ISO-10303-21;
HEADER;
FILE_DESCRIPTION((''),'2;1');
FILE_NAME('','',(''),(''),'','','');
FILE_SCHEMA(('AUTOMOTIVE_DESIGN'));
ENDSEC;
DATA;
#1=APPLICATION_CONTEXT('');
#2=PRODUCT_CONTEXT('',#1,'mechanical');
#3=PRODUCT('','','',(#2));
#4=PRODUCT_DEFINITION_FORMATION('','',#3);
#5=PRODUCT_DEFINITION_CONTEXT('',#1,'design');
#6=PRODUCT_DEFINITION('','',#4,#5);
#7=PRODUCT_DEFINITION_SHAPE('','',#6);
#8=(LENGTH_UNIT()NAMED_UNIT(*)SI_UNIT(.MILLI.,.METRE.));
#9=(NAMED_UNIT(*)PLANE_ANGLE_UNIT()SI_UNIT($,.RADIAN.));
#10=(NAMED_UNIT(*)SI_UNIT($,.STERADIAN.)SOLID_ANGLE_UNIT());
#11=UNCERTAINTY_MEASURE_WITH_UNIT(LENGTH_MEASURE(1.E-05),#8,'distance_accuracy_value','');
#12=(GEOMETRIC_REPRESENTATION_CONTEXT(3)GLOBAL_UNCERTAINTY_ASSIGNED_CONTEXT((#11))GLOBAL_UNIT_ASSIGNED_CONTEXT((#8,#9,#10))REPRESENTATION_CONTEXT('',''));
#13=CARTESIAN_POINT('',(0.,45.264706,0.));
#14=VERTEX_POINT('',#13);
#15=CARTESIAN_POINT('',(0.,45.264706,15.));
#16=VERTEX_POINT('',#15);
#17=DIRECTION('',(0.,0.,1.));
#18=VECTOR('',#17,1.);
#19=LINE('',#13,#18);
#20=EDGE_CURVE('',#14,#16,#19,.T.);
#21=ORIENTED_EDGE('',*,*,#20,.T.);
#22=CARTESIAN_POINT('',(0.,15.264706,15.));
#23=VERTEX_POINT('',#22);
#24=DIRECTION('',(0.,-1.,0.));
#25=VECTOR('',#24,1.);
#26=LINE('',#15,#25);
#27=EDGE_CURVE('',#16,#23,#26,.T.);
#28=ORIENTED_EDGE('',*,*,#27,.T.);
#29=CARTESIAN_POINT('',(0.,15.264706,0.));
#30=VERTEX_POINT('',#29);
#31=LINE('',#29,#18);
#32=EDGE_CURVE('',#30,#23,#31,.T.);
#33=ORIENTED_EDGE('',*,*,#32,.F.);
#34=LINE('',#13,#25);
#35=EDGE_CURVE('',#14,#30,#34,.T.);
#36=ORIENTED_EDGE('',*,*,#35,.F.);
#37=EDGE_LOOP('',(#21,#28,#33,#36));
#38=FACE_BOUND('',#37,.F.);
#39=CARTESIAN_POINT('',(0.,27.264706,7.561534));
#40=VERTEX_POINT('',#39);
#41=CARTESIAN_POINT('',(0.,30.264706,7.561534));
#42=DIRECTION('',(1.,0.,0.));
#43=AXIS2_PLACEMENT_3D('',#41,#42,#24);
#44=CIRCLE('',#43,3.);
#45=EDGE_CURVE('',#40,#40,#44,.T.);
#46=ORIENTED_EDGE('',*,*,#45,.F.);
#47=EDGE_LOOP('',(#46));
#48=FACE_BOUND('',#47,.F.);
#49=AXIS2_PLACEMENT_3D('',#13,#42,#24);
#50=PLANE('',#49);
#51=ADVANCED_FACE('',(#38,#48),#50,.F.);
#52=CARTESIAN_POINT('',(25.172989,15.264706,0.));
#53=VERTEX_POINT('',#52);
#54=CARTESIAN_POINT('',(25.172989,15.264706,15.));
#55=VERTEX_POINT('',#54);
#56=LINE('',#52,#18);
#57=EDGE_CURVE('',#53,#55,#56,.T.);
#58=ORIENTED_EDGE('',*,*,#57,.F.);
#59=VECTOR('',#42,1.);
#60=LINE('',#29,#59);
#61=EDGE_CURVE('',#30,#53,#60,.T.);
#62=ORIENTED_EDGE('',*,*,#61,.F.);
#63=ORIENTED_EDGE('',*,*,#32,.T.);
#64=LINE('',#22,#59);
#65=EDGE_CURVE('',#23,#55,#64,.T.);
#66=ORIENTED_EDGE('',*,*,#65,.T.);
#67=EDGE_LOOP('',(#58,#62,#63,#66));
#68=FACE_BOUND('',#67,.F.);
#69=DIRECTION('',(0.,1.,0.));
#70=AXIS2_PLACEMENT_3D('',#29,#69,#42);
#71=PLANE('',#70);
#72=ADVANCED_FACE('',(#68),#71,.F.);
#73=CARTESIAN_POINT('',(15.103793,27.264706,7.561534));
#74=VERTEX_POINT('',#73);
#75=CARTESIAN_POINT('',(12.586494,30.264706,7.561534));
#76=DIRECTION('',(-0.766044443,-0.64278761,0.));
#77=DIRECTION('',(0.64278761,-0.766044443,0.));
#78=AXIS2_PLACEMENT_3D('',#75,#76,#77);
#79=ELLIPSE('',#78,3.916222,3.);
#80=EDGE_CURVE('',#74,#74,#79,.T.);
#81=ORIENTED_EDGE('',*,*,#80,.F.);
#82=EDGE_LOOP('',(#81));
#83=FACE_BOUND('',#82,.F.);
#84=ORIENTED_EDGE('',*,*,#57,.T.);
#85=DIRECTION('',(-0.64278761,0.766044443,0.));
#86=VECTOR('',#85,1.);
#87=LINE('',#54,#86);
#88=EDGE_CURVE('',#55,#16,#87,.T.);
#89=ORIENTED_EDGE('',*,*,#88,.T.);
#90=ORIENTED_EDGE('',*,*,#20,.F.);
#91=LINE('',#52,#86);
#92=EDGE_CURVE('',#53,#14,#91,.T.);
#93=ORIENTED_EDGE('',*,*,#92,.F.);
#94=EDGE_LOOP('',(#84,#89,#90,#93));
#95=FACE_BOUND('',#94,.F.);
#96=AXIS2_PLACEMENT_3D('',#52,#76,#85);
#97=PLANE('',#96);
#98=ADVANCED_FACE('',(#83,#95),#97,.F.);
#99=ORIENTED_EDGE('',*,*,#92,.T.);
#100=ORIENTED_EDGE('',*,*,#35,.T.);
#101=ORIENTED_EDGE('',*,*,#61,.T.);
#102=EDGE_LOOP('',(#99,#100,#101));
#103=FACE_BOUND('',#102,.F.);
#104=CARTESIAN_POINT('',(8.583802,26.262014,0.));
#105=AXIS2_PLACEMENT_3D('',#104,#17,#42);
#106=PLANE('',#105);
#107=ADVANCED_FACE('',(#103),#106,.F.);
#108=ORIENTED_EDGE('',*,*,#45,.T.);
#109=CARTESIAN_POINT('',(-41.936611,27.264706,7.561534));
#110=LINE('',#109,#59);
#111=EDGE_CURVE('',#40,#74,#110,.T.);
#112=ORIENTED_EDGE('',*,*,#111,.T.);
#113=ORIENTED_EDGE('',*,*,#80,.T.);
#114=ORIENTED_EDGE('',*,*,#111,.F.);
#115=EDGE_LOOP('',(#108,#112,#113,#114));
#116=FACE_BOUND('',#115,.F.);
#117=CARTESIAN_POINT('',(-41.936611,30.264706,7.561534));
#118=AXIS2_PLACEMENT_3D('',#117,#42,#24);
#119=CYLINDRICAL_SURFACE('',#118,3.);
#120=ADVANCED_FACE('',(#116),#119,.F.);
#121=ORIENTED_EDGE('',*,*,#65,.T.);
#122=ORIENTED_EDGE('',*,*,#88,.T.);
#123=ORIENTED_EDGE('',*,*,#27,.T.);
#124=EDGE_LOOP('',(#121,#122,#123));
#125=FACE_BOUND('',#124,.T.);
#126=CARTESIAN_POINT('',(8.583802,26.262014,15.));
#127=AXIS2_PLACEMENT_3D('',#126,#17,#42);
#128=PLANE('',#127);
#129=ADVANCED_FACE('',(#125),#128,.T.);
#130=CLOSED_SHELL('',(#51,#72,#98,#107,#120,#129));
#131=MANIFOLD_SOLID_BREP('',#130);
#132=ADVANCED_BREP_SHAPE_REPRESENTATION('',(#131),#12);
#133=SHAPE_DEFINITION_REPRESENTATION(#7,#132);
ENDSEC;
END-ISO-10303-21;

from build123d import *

# Parameters (mm, degrees)
F1_DEPTH = 15
F3_D     = 6


with BuildPart() as f1:
    # F0 (on Top) → F1 (new body)
    with BuildSketch(Plane.XY):
        Polygon((25.1729889353, 15.2647063509), (0, 45.2647063509), (0, 15.2647063509), align=None)
    extrude(amount=F1_DEPTH)

    # F3 (through all)
    with Locations(Plane(origin=(0, 0, 0), x_dir=(0, 1, 0), z_dir=(-1, 0, 0))):
        with Locations((30.2647063509, -7.5615341775)):
            Hole(F3_D / 2)


solid = f1.part
